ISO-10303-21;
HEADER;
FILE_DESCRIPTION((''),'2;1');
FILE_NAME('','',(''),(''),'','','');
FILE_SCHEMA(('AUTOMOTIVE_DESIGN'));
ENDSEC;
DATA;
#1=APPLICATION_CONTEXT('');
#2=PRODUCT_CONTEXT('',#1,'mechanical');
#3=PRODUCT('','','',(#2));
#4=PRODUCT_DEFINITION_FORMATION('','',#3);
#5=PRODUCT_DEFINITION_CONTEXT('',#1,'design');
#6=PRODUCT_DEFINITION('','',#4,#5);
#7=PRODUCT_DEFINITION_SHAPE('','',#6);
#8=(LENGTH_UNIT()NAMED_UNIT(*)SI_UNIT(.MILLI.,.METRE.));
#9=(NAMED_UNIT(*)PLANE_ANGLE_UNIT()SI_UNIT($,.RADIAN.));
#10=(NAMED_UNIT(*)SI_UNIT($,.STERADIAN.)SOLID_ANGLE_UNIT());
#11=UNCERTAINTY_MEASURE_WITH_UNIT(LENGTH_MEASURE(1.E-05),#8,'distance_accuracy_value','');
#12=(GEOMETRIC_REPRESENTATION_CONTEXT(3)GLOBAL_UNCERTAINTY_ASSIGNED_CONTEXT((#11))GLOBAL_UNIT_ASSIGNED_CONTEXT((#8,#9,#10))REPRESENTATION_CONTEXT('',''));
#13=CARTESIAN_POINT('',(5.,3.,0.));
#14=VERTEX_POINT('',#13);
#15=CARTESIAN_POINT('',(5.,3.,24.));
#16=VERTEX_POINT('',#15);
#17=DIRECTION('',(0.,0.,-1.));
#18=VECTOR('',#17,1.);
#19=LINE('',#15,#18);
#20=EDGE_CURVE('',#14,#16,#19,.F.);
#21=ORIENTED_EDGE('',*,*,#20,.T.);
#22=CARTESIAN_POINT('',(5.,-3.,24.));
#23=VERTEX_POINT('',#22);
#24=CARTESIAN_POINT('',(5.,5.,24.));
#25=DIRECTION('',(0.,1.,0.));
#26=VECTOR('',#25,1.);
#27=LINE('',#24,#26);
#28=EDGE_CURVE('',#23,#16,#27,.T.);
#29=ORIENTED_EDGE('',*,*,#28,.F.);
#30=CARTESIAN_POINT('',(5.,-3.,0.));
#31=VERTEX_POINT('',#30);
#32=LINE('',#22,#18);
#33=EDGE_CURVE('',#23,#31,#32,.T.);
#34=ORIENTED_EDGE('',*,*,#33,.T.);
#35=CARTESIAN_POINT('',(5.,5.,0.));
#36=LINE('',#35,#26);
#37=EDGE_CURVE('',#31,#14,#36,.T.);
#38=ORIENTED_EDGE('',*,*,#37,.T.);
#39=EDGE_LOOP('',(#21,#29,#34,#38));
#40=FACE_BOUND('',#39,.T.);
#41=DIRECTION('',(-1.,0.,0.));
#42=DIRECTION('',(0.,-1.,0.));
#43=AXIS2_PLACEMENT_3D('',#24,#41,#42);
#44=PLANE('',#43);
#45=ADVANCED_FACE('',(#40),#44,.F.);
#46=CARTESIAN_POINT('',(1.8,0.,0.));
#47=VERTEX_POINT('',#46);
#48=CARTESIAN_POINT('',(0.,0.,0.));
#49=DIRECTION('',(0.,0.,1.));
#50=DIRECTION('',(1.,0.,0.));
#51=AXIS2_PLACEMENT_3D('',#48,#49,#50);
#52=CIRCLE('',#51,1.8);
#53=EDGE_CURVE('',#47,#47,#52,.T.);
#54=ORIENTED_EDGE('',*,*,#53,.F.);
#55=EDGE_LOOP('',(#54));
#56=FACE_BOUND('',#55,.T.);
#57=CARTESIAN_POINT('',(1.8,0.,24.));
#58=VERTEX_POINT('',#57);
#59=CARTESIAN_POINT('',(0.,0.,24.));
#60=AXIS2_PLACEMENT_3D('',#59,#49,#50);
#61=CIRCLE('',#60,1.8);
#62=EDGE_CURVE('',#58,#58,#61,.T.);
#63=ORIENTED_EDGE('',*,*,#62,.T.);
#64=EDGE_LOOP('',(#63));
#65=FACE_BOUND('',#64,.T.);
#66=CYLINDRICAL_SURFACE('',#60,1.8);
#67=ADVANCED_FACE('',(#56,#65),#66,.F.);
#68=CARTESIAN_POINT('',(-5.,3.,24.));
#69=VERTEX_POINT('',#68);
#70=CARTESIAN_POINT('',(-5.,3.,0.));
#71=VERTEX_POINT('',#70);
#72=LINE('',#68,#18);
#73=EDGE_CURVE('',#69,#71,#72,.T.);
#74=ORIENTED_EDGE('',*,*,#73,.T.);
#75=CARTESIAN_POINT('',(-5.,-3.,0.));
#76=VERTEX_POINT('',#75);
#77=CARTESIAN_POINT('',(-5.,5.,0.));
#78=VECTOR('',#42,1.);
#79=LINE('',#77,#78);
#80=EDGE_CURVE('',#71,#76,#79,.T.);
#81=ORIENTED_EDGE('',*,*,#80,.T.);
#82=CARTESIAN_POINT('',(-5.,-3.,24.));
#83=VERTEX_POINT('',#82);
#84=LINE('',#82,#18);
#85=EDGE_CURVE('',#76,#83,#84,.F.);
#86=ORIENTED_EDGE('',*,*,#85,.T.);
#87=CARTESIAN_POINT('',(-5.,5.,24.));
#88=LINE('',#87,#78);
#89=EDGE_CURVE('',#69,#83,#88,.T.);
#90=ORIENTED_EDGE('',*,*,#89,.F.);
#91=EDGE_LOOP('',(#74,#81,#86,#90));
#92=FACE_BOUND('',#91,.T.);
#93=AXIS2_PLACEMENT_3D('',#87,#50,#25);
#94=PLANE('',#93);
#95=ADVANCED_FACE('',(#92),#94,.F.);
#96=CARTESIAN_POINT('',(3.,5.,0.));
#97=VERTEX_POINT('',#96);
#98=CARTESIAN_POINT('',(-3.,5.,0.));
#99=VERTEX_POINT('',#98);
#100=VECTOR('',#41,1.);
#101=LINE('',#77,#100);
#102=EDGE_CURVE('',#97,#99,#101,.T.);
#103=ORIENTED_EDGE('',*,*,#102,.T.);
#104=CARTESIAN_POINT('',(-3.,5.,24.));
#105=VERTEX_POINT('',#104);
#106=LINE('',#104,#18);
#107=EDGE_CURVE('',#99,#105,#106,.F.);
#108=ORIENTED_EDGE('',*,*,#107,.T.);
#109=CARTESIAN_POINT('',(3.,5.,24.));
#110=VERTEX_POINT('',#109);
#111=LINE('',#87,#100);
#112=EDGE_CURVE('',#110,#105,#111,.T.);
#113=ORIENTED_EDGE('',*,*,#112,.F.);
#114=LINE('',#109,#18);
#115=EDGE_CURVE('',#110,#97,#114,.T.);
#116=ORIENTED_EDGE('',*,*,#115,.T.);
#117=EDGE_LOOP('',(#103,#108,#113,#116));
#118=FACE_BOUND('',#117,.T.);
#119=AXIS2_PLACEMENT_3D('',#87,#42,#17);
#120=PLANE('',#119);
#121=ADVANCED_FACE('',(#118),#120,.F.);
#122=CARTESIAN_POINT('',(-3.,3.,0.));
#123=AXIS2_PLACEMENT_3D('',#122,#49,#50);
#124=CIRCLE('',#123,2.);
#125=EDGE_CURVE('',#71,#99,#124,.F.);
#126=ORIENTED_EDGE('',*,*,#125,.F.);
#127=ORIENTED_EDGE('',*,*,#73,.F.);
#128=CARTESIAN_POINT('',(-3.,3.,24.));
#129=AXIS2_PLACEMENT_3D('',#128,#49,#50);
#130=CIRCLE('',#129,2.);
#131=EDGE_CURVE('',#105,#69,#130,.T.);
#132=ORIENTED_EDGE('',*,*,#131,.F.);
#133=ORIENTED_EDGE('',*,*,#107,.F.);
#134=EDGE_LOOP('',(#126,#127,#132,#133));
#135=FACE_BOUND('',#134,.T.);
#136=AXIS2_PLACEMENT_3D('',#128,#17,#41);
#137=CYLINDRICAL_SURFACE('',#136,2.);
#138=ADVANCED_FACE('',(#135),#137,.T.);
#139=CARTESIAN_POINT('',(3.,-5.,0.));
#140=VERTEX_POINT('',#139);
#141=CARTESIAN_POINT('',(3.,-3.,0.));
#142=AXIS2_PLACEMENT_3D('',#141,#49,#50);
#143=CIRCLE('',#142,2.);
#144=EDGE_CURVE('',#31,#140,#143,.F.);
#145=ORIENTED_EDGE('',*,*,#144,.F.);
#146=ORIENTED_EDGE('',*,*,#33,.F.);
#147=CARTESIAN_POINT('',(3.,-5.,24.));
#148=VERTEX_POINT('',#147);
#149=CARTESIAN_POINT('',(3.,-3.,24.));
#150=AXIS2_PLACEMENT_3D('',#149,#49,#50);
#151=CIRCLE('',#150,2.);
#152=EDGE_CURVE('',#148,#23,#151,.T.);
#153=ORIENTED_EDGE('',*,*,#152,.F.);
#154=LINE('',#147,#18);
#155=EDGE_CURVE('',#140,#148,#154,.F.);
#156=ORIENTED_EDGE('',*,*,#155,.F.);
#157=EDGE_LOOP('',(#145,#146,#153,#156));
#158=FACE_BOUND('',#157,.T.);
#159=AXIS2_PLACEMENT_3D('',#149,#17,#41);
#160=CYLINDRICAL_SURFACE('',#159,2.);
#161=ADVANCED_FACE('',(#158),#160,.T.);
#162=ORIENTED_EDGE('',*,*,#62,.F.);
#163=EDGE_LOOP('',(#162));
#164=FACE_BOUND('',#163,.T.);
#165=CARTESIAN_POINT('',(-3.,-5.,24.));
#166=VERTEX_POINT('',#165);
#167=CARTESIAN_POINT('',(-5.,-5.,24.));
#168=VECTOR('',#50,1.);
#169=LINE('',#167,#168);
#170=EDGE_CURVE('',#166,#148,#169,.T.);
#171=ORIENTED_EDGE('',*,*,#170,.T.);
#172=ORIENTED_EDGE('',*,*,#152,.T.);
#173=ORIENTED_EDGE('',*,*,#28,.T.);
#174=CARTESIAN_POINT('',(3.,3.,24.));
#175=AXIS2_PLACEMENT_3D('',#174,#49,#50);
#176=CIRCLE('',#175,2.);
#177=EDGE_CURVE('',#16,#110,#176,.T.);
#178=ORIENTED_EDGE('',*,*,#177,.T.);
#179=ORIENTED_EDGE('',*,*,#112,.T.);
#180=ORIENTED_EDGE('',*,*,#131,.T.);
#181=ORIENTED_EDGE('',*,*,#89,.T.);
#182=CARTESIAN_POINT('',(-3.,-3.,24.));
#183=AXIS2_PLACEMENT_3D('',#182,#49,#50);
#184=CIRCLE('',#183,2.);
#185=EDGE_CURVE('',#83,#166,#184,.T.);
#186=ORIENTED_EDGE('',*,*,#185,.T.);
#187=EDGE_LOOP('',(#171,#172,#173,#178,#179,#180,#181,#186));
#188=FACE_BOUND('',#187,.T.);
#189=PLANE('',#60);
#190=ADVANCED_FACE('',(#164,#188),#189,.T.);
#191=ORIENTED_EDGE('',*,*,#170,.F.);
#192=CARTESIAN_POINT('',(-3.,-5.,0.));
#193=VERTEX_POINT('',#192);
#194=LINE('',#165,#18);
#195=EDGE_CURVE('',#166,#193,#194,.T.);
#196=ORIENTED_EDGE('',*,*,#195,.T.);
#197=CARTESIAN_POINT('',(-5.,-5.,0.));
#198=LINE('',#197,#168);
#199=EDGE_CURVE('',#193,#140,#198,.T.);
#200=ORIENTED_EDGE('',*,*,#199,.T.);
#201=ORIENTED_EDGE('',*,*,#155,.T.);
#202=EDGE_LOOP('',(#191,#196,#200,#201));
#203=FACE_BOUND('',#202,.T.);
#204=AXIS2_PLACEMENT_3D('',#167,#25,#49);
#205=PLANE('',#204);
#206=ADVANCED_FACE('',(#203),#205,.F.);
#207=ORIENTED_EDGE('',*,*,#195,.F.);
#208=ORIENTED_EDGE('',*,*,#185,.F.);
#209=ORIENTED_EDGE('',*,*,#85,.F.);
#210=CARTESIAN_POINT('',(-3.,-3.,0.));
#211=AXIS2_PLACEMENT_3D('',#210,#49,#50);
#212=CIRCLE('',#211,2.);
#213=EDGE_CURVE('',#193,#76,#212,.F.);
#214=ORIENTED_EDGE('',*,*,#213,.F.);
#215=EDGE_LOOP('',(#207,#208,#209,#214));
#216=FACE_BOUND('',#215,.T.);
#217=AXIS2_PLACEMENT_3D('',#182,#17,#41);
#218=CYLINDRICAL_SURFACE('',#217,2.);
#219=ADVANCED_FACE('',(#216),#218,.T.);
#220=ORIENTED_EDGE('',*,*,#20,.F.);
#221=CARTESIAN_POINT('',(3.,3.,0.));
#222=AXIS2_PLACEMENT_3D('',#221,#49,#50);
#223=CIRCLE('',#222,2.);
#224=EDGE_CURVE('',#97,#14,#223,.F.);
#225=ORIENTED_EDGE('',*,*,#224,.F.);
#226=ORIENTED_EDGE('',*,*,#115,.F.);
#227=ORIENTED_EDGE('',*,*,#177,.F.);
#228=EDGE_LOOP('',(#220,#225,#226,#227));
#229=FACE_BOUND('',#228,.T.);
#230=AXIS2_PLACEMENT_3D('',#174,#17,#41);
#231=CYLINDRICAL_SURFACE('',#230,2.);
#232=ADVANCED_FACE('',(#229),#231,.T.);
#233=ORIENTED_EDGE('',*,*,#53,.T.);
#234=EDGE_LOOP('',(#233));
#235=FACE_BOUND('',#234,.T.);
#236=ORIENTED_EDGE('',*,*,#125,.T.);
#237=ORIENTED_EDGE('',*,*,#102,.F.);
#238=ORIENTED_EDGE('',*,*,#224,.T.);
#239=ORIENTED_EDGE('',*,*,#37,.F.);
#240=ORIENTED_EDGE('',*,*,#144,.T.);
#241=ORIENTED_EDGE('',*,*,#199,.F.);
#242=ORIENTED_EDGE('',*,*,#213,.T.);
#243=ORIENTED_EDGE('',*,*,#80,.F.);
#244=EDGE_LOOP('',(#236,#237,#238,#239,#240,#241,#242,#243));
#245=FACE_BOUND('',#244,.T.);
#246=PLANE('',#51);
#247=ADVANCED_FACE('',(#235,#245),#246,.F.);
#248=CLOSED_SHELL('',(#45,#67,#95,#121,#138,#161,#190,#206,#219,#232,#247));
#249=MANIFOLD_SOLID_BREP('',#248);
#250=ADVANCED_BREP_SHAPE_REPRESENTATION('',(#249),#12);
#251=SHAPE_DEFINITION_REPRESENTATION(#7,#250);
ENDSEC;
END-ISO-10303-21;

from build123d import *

# Parameters (mm, degrees)
SKETCH1_W            = 10
SKETCH1_H            = 10
BOSS_EXTRUDE1_DEPTH  = 24
M3_CLEARANCE_HOLE1_D = 3.6
FILLET1_R            = 2


with BuildPart() as part:
    # Sketch1 → Boss-Extrude1 (new body)
    with BuildSketch(Plane.XY):
        Rectangle(SKETCH1_W, SKETCH1_H)
    extrude(amount=BOSS_EXTRUDE1_DEPTH)

    # M3 Clearance Hole1 (through all)
    with Locations(Plane.XY.offset(24)):
        with Locations((0, 0)):
            Hole(M3_CLEARANCE_HOLE1_D / 2)

    # Fillet1
    fillet1_edges = [part.edges().sort_by_distance(p)[0] for p in [
        (5, -5, 12),
        (-5, -5, 12),
        (-5, 5, 12),
        (5, 5, 12),
    ]]
    fillet(fillet1_edges, radius=FILLET1_R)


solid = part.part
